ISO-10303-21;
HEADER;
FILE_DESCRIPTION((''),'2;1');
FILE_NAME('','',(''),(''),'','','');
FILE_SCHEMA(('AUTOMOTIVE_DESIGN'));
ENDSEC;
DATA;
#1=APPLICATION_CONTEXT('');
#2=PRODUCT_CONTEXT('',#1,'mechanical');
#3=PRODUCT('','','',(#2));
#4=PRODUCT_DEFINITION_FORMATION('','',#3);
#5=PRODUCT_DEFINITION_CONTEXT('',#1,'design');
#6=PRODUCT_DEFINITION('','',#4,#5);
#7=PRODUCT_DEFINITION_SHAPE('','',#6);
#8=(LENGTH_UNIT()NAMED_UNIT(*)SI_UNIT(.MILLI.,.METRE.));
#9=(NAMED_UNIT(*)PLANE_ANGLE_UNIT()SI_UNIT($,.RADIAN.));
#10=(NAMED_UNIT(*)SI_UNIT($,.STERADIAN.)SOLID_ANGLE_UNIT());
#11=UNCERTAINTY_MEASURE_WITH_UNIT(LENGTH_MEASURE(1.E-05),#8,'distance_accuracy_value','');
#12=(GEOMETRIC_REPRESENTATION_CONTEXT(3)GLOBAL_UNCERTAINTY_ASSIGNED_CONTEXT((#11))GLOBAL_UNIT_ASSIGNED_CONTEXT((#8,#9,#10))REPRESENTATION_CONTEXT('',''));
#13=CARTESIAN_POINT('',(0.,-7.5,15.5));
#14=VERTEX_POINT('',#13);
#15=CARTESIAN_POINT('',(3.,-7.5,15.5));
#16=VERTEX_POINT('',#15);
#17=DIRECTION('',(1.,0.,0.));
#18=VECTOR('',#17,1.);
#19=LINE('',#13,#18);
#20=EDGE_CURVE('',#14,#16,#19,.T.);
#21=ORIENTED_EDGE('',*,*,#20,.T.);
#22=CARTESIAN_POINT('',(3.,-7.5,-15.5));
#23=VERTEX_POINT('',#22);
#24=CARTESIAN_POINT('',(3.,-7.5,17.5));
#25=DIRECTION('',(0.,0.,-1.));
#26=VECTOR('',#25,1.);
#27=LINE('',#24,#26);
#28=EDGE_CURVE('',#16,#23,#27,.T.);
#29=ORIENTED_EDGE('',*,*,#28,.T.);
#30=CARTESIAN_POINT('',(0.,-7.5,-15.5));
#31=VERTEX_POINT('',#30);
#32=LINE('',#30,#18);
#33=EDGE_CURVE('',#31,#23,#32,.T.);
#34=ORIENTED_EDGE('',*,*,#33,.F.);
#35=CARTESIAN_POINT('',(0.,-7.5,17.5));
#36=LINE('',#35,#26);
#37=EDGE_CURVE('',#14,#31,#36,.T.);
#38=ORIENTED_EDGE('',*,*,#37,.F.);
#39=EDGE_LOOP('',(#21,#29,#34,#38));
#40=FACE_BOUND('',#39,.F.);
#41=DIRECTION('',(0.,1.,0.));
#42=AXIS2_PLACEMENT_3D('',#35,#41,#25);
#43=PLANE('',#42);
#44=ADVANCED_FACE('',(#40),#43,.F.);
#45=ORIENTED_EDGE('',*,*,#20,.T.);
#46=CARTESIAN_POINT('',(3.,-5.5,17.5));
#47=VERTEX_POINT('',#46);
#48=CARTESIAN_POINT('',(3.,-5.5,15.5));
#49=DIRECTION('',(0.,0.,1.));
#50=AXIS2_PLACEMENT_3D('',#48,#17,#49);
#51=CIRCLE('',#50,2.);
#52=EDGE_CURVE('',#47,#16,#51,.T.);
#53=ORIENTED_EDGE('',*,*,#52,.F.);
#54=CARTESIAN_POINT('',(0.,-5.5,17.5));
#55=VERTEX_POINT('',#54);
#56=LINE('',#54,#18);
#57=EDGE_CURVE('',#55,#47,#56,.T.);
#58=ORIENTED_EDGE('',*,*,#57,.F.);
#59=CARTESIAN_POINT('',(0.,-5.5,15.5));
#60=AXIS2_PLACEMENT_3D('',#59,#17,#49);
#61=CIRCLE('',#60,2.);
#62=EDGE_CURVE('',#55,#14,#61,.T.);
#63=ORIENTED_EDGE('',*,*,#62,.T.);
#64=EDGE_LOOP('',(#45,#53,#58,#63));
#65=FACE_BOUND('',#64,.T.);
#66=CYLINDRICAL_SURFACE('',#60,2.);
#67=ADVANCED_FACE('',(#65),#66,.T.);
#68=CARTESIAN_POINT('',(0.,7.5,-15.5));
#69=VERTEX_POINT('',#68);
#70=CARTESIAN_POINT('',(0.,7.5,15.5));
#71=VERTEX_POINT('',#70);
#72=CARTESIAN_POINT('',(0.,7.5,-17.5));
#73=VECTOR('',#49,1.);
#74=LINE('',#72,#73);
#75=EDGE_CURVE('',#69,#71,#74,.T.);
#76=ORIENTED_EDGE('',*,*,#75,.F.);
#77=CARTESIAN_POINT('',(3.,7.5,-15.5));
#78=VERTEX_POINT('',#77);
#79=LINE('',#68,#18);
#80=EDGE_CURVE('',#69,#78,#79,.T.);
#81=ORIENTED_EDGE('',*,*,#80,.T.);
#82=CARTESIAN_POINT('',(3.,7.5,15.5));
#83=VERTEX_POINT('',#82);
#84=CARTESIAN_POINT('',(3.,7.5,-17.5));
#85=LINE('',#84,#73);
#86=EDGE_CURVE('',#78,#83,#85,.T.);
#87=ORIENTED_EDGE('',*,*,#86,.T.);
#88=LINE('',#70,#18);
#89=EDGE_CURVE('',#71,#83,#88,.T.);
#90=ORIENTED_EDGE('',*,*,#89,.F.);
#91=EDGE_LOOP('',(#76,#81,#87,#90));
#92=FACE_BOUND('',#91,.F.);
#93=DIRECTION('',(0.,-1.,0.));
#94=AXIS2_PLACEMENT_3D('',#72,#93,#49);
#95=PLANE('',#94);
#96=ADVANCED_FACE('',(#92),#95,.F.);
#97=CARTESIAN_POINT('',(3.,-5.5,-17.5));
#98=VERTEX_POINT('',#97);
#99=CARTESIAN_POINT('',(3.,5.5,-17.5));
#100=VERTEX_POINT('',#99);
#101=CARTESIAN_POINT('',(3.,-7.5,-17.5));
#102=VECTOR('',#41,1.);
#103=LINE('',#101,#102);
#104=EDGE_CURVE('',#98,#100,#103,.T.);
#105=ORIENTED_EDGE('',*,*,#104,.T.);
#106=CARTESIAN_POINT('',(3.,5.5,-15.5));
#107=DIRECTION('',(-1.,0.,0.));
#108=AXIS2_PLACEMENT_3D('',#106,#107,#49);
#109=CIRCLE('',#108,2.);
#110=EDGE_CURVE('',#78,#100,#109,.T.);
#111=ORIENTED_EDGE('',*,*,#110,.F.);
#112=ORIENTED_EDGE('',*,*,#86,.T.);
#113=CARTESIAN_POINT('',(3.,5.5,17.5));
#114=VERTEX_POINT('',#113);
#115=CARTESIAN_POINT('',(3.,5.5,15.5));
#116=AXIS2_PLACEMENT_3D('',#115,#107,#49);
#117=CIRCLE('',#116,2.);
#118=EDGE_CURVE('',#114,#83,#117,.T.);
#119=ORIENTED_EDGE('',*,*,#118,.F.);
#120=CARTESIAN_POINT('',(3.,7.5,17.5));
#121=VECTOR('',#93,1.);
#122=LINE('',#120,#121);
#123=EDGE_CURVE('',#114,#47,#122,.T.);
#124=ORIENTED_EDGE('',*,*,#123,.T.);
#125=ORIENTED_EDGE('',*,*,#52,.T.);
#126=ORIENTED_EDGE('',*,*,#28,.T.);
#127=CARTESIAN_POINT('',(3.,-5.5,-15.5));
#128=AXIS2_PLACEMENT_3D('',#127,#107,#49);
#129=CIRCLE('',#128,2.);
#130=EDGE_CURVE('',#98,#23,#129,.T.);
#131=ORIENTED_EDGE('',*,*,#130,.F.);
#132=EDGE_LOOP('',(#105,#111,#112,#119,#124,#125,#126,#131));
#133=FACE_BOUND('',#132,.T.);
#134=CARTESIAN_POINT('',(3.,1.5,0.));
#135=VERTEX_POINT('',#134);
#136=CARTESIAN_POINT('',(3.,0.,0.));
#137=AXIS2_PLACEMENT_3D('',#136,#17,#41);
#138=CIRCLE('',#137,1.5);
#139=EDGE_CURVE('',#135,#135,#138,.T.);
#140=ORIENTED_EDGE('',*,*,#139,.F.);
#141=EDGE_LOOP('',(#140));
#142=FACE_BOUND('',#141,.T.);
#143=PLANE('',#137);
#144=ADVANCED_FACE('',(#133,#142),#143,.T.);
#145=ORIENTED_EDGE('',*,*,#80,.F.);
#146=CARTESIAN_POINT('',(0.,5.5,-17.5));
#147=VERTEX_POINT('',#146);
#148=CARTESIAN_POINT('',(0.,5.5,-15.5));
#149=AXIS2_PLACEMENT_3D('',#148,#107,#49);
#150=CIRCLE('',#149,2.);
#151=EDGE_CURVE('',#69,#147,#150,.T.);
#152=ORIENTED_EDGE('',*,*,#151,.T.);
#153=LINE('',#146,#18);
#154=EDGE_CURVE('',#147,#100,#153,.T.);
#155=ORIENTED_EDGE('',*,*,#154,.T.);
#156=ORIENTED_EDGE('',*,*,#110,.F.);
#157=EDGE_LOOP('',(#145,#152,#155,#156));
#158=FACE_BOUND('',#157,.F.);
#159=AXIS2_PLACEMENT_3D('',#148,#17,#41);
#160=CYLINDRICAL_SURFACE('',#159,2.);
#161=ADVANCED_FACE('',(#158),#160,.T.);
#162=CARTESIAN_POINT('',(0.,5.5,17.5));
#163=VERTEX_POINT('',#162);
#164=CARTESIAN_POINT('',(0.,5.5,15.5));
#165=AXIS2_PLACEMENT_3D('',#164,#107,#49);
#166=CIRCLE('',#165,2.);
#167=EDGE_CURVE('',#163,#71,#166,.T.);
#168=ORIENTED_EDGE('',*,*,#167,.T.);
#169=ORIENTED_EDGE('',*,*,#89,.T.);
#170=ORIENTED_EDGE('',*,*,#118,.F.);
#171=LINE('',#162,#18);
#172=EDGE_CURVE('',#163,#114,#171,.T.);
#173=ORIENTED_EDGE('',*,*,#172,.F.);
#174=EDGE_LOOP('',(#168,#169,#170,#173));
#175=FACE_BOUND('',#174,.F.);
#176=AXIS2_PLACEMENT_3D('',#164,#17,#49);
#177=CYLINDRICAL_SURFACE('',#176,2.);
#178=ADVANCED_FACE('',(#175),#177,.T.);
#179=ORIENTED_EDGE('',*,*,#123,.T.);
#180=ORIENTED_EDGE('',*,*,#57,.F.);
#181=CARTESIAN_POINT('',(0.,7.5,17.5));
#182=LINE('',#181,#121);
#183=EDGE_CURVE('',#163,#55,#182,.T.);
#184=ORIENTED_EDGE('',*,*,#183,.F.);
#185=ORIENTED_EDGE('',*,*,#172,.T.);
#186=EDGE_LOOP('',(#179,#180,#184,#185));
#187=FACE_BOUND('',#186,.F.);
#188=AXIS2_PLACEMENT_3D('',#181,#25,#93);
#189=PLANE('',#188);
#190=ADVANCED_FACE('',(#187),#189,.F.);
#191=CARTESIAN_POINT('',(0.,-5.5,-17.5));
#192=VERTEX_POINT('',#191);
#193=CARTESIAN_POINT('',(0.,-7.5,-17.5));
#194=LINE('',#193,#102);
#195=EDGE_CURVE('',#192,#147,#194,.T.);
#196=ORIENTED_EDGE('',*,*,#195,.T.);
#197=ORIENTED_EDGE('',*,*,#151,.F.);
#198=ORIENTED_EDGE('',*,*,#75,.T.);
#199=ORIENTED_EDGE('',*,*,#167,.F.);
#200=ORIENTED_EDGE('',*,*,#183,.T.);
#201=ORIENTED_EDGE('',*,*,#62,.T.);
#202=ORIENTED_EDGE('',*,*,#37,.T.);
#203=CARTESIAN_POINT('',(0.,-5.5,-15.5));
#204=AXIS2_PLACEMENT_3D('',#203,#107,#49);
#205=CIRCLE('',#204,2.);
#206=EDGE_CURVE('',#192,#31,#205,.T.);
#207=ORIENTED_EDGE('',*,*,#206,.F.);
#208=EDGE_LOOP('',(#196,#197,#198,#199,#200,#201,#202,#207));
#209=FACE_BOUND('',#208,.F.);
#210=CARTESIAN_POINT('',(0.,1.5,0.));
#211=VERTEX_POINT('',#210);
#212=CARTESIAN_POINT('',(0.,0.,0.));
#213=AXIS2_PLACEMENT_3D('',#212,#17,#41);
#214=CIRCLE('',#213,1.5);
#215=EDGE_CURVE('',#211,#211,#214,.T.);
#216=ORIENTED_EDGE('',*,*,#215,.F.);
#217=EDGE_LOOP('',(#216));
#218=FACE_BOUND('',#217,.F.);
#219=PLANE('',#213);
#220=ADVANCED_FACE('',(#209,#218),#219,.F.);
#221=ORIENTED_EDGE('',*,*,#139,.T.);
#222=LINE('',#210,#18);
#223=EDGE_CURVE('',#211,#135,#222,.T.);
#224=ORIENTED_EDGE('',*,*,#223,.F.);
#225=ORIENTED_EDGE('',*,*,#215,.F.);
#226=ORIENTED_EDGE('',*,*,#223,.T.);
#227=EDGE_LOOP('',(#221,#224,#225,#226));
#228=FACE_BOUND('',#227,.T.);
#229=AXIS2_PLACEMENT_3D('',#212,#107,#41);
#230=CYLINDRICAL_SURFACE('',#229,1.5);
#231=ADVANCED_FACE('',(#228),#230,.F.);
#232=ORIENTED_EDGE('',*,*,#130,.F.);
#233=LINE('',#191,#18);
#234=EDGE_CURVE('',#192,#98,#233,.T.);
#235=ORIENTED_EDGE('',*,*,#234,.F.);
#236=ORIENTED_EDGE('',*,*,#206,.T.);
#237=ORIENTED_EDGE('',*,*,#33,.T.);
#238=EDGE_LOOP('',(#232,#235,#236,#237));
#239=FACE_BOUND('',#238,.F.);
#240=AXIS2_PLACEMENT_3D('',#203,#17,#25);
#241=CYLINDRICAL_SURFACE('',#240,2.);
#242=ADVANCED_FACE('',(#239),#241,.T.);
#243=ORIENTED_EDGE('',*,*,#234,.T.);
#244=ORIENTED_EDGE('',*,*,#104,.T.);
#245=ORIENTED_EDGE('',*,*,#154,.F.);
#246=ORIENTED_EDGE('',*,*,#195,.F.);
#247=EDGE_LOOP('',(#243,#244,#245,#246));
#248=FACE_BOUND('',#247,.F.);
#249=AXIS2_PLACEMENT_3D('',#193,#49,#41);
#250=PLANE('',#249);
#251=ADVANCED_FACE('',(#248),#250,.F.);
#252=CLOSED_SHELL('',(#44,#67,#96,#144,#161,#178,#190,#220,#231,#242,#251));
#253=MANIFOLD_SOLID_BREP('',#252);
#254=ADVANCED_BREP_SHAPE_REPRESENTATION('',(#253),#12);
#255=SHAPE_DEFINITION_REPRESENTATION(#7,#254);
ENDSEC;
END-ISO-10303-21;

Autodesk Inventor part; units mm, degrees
ref_plane "YZ Plane" through (0, 0, 0) normal (1, 0, 0) x (0, 1, 0)
ref_plane "XZ Plane" through (0, 0, 0) normal (0, 1, 0) x (-1, 0, 0)
ref_plane "XY Plane" through (0, 0, 0) normal (0, 0, 1) x (1, 0, 0)
sketch "Sketch1" plane through (0, 0, 0) normal (1, 0, 0) x (0, 1, 0)
  circle A0 centre (0, 0) radius 1.5
  line L0 (-7.5, 17.5) -> (-7.5, -17.5)
  line L1 (-7.5, -17.5) -> (7.5, -17.5)
  line L2 (7.5, -17.5) -> (7.5, 17.5)
  line L3 (7.5, 17.5) -> (-7.5, 17.5)
  line L4 (-7.5, 17.5) -> (7.5, -17.5) construction
  line L5 (-7.5, -17.5) -> (7.5, 17.5) construction
  dimension "d0" = 3
  dimension "d1" = 35
  dimension "d2" = 15
extrude "Extrusion1" add sketch "Sketch1" along normal blind 3
fillet "Fillet1" radius 2 4 edges at (1.5, 7.5, 17.5) (1.5, -7.5, 17.5) (1.5, -7.5, -17.5) (1.5, 7.5, -17.5)
properties part number "Plate"
